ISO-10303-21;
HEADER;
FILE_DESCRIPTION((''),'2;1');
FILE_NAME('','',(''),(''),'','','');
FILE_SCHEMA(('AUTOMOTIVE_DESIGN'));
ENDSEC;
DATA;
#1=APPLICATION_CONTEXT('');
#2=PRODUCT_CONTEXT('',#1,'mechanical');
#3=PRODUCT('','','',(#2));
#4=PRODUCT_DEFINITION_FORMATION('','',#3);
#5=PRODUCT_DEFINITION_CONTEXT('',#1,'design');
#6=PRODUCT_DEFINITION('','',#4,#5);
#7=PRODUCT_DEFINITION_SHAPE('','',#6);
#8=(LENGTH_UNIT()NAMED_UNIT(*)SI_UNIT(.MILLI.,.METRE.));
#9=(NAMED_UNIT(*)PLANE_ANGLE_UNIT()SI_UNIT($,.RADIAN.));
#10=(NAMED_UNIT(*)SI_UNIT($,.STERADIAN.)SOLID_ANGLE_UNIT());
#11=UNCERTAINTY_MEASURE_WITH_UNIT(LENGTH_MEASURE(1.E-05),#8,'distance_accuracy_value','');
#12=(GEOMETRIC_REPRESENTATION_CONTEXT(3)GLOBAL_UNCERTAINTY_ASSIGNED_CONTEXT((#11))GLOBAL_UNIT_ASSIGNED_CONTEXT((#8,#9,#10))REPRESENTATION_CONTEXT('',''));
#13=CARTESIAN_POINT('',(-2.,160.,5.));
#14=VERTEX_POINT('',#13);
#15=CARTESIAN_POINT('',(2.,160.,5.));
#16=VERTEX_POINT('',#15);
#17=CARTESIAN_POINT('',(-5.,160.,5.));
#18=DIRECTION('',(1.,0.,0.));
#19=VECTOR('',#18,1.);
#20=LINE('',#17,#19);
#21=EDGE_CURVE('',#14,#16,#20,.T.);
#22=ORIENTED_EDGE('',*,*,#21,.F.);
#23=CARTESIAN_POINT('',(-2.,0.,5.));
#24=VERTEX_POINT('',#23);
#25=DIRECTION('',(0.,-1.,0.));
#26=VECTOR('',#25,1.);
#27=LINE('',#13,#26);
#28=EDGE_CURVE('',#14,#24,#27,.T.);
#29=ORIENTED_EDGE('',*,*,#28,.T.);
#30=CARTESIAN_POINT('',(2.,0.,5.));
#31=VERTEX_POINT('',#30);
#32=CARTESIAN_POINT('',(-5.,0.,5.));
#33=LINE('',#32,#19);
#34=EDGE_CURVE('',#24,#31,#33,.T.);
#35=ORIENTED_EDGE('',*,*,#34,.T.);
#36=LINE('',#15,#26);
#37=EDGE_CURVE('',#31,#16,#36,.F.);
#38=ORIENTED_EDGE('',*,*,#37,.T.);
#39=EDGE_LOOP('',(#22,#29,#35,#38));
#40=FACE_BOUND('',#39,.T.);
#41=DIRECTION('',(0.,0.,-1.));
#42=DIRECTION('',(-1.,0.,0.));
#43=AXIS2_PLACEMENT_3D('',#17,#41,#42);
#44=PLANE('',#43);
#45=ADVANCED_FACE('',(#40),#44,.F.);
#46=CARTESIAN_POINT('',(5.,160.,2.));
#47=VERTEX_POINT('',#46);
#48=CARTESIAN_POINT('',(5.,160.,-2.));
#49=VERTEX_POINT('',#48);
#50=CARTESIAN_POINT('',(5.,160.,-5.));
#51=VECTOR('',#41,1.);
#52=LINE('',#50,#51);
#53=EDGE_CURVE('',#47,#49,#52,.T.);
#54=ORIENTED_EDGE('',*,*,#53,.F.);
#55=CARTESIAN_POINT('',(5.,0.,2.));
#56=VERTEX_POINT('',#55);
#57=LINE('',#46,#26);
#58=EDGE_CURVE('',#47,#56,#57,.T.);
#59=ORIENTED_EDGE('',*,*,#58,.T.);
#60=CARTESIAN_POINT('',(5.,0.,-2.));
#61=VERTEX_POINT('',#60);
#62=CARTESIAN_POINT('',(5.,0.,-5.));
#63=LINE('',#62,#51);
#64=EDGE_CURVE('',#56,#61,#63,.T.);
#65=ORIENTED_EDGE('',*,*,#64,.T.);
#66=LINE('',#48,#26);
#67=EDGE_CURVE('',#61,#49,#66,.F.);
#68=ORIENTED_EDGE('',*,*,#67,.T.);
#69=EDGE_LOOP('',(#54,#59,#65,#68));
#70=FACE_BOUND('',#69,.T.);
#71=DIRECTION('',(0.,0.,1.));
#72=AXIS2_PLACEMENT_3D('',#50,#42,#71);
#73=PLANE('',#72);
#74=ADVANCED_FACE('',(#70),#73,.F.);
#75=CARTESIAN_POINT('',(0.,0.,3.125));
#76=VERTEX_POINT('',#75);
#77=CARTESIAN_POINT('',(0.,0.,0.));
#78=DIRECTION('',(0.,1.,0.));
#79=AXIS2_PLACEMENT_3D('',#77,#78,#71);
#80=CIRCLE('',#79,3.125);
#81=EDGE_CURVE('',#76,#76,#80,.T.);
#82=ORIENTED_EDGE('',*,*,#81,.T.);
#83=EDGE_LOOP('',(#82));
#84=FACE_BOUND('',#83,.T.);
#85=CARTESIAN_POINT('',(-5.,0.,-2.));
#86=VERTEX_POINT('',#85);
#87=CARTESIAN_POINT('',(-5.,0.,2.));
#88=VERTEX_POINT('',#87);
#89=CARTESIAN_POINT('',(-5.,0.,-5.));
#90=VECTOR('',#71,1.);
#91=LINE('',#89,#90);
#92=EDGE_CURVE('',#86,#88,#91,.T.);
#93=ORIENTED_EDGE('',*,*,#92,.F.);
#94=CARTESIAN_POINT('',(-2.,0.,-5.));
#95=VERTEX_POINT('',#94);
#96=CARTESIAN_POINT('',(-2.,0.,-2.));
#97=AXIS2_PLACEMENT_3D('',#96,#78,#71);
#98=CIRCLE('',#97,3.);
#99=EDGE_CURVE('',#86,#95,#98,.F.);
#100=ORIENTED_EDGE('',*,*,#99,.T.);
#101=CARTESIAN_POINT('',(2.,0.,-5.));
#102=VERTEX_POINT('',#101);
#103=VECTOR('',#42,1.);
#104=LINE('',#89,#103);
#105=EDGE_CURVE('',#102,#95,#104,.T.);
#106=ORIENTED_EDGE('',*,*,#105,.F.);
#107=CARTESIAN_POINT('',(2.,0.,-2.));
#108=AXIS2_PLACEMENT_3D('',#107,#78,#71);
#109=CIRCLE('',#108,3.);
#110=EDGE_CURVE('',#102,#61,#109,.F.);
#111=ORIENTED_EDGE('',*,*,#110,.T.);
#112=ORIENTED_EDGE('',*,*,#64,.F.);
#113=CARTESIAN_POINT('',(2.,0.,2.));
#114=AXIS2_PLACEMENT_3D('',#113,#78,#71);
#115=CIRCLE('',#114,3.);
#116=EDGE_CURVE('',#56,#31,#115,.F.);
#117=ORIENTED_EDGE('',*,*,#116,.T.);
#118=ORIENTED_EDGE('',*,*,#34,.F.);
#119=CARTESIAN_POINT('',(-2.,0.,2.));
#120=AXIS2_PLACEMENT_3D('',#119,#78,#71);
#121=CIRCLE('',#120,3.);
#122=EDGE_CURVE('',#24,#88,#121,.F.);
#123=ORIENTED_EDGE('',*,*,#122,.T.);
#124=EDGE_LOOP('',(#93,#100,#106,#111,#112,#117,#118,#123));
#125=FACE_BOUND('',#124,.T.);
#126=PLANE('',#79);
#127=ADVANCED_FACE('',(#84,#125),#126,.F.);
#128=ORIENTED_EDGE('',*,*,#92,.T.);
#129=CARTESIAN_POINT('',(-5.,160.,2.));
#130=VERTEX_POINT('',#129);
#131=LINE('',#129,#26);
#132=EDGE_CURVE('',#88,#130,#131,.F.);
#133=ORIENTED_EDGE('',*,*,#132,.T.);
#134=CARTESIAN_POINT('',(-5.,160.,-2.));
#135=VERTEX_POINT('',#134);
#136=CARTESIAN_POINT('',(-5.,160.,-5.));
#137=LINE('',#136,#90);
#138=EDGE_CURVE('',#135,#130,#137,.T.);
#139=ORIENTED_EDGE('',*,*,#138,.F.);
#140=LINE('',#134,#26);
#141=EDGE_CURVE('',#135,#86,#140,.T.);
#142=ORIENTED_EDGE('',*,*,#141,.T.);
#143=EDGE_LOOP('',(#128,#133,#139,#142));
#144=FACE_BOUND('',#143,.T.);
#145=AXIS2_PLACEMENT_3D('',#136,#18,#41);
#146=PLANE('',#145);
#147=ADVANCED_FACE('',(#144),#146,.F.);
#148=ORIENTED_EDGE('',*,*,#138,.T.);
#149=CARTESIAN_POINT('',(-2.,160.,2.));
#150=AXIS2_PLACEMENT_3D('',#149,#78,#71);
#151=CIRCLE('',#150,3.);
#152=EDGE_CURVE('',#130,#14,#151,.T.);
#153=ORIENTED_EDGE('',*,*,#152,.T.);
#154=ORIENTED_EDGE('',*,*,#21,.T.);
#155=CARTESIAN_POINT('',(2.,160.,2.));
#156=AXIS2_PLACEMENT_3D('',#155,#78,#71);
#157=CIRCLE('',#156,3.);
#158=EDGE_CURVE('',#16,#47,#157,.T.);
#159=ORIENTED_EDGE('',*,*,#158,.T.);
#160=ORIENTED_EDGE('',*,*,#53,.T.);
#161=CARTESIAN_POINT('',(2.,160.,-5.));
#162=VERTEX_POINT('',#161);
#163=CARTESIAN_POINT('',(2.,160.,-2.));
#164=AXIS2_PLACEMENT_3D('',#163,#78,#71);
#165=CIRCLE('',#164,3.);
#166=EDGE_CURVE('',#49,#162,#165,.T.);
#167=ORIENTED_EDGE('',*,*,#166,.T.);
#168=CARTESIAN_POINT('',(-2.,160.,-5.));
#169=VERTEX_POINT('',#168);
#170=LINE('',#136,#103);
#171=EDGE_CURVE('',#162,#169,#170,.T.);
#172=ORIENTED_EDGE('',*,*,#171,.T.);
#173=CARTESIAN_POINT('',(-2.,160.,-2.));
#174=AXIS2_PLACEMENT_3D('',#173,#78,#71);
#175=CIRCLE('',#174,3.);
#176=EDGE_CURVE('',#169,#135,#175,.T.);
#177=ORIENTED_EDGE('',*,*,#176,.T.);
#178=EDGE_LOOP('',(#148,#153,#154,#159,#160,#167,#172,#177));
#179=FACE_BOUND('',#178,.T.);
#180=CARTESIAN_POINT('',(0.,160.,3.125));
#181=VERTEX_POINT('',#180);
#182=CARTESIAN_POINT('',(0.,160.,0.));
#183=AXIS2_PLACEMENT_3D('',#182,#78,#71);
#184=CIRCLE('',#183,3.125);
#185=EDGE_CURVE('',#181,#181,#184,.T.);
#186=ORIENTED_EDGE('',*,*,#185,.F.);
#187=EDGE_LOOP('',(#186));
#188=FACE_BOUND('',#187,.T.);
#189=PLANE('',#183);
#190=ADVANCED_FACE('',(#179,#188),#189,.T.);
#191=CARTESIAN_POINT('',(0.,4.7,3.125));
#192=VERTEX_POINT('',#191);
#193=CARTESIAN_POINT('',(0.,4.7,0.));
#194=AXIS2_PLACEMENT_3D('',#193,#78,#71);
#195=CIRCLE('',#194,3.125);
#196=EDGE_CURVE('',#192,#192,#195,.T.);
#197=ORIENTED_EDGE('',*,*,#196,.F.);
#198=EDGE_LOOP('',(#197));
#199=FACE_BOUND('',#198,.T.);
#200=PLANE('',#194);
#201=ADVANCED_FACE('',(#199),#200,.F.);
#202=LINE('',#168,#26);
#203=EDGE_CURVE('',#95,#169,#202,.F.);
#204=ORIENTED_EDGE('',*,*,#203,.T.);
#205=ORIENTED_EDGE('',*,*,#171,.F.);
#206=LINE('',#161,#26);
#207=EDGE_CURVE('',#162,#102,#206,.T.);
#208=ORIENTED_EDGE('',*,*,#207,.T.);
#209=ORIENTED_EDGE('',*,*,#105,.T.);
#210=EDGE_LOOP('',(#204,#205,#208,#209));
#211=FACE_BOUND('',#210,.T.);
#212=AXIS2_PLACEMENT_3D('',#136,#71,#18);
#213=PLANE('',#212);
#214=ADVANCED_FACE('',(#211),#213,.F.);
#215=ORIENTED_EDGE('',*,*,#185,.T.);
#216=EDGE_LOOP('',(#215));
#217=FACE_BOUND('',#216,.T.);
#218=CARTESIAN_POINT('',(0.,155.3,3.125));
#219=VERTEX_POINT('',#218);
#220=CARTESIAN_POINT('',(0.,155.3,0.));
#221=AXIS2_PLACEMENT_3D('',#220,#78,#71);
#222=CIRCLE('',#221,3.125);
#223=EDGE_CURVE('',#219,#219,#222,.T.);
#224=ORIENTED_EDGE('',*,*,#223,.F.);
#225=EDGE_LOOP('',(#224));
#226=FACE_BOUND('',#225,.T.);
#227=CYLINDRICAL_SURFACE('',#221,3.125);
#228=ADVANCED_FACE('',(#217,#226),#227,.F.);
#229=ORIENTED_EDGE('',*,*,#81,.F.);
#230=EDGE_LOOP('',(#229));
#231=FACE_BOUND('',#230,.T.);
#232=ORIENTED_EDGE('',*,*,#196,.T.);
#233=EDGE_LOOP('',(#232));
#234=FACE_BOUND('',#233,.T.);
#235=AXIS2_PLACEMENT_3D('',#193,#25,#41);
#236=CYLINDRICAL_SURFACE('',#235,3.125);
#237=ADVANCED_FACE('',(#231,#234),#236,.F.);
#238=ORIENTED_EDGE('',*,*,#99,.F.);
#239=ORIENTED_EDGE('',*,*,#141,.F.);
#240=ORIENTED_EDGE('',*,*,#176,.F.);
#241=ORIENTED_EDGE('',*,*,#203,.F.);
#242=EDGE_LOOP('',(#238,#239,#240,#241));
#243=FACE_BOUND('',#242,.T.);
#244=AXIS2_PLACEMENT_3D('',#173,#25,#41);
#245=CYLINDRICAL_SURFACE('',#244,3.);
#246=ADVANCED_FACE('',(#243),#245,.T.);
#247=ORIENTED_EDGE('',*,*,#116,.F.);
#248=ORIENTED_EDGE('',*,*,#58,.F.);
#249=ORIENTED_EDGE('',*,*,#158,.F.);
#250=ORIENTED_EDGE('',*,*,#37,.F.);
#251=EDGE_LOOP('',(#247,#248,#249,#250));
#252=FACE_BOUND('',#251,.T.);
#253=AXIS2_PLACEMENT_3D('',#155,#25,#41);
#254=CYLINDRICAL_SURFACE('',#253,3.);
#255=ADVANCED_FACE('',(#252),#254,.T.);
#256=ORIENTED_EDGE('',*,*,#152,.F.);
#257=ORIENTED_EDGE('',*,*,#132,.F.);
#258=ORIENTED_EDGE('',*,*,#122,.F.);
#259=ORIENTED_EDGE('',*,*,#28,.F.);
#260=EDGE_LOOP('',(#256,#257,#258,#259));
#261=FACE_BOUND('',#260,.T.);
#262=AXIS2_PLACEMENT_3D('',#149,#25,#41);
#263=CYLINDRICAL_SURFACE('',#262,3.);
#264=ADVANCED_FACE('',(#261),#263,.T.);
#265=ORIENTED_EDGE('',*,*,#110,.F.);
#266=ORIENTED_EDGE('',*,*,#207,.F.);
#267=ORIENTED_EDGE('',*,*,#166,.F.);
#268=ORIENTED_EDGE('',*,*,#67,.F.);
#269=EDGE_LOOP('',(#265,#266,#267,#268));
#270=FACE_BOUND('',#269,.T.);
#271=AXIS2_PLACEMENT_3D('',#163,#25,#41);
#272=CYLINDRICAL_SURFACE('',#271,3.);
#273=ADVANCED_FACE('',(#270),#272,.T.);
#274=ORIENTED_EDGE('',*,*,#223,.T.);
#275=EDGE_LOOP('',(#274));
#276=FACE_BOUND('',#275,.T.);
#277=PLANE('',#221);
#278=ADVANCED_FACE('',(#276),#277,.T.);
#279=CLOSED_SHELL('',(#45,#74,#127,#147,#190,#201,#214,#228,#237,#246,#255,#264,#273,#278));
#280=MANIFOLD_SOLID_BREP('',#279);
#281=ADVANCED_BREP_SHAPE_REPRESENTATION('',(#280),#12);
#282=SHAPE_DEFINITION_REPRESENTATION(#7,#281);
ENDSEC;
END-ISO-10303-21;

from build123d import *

# Parameters (mm, degrees)
SKETCH1_W           = 10
SKETCH1_H           = 10
BOSS_EXTRUDE1_DEPTH = 160
FILLET1_R           = 3
SKETCH2_R           = 3.125
CUT_EXTRUDE1_DEPTH  = 4.7
CUT_EXTRUDE2_START  = -160
SKETCH2_2_R         = 3.125
CUT_EXTRUDE2_DEPTH  = 4.7


with BuildPart() as part:
    # Sketch1 → Boss-Extrude1 (new body)
    with BuildSketch(Plane(origin=(0, 0, 0), x_dir=(1, 0, 0), z_dir=(0, 1, 0))):
        Rectangle(SKETCH1_W, SKETCH1_H)
    extrude(amount=BOSS_EXTRUDE1_DEPTH)

    # Fillet1
    fillet1_edges = [part.edges().sort_by_distance(p)[0] for p in [
        (-5, 80, -5),
        (5, 80, -5),
        (5, 80, 5),
        (-5, 80, 5),
    ]]
    fillet(fillet1_edges, radius=FILLET1_R)

    # Sketch2 → Cut-Extrude1 (cut)
    with BuildSketch(Plane(origin=(0, 160, 0), x_dir=(1, 0, 0), z_dir=(0, 1, 0))):
        with Locations(Location((0, 0, 0), (0, 0, 270))):
            Circle(SKETCH2_R)
    extrude(amount=-CUT_EXTRUDE1_DEPTH, mode=Mode.SUBTRACT)

    # Sketch2<2> → Cut-Extrude2 (cut)
    with BuildSketch(Plane(origin=(0, 160, 0), x_dir=(1, 0, 0), z_dir=(0, 1, 0)).offset(CUT_EXTRUDE2_START)):
        with Locations(Location((0, 0, 0), (0, 0, 270))):
            Circle(SKETCH2_2_R)
    extrude(amount=CUT_EXTRUDE2_DEPTH, mode=Mode.SUBTRACT)


solid = part.part
